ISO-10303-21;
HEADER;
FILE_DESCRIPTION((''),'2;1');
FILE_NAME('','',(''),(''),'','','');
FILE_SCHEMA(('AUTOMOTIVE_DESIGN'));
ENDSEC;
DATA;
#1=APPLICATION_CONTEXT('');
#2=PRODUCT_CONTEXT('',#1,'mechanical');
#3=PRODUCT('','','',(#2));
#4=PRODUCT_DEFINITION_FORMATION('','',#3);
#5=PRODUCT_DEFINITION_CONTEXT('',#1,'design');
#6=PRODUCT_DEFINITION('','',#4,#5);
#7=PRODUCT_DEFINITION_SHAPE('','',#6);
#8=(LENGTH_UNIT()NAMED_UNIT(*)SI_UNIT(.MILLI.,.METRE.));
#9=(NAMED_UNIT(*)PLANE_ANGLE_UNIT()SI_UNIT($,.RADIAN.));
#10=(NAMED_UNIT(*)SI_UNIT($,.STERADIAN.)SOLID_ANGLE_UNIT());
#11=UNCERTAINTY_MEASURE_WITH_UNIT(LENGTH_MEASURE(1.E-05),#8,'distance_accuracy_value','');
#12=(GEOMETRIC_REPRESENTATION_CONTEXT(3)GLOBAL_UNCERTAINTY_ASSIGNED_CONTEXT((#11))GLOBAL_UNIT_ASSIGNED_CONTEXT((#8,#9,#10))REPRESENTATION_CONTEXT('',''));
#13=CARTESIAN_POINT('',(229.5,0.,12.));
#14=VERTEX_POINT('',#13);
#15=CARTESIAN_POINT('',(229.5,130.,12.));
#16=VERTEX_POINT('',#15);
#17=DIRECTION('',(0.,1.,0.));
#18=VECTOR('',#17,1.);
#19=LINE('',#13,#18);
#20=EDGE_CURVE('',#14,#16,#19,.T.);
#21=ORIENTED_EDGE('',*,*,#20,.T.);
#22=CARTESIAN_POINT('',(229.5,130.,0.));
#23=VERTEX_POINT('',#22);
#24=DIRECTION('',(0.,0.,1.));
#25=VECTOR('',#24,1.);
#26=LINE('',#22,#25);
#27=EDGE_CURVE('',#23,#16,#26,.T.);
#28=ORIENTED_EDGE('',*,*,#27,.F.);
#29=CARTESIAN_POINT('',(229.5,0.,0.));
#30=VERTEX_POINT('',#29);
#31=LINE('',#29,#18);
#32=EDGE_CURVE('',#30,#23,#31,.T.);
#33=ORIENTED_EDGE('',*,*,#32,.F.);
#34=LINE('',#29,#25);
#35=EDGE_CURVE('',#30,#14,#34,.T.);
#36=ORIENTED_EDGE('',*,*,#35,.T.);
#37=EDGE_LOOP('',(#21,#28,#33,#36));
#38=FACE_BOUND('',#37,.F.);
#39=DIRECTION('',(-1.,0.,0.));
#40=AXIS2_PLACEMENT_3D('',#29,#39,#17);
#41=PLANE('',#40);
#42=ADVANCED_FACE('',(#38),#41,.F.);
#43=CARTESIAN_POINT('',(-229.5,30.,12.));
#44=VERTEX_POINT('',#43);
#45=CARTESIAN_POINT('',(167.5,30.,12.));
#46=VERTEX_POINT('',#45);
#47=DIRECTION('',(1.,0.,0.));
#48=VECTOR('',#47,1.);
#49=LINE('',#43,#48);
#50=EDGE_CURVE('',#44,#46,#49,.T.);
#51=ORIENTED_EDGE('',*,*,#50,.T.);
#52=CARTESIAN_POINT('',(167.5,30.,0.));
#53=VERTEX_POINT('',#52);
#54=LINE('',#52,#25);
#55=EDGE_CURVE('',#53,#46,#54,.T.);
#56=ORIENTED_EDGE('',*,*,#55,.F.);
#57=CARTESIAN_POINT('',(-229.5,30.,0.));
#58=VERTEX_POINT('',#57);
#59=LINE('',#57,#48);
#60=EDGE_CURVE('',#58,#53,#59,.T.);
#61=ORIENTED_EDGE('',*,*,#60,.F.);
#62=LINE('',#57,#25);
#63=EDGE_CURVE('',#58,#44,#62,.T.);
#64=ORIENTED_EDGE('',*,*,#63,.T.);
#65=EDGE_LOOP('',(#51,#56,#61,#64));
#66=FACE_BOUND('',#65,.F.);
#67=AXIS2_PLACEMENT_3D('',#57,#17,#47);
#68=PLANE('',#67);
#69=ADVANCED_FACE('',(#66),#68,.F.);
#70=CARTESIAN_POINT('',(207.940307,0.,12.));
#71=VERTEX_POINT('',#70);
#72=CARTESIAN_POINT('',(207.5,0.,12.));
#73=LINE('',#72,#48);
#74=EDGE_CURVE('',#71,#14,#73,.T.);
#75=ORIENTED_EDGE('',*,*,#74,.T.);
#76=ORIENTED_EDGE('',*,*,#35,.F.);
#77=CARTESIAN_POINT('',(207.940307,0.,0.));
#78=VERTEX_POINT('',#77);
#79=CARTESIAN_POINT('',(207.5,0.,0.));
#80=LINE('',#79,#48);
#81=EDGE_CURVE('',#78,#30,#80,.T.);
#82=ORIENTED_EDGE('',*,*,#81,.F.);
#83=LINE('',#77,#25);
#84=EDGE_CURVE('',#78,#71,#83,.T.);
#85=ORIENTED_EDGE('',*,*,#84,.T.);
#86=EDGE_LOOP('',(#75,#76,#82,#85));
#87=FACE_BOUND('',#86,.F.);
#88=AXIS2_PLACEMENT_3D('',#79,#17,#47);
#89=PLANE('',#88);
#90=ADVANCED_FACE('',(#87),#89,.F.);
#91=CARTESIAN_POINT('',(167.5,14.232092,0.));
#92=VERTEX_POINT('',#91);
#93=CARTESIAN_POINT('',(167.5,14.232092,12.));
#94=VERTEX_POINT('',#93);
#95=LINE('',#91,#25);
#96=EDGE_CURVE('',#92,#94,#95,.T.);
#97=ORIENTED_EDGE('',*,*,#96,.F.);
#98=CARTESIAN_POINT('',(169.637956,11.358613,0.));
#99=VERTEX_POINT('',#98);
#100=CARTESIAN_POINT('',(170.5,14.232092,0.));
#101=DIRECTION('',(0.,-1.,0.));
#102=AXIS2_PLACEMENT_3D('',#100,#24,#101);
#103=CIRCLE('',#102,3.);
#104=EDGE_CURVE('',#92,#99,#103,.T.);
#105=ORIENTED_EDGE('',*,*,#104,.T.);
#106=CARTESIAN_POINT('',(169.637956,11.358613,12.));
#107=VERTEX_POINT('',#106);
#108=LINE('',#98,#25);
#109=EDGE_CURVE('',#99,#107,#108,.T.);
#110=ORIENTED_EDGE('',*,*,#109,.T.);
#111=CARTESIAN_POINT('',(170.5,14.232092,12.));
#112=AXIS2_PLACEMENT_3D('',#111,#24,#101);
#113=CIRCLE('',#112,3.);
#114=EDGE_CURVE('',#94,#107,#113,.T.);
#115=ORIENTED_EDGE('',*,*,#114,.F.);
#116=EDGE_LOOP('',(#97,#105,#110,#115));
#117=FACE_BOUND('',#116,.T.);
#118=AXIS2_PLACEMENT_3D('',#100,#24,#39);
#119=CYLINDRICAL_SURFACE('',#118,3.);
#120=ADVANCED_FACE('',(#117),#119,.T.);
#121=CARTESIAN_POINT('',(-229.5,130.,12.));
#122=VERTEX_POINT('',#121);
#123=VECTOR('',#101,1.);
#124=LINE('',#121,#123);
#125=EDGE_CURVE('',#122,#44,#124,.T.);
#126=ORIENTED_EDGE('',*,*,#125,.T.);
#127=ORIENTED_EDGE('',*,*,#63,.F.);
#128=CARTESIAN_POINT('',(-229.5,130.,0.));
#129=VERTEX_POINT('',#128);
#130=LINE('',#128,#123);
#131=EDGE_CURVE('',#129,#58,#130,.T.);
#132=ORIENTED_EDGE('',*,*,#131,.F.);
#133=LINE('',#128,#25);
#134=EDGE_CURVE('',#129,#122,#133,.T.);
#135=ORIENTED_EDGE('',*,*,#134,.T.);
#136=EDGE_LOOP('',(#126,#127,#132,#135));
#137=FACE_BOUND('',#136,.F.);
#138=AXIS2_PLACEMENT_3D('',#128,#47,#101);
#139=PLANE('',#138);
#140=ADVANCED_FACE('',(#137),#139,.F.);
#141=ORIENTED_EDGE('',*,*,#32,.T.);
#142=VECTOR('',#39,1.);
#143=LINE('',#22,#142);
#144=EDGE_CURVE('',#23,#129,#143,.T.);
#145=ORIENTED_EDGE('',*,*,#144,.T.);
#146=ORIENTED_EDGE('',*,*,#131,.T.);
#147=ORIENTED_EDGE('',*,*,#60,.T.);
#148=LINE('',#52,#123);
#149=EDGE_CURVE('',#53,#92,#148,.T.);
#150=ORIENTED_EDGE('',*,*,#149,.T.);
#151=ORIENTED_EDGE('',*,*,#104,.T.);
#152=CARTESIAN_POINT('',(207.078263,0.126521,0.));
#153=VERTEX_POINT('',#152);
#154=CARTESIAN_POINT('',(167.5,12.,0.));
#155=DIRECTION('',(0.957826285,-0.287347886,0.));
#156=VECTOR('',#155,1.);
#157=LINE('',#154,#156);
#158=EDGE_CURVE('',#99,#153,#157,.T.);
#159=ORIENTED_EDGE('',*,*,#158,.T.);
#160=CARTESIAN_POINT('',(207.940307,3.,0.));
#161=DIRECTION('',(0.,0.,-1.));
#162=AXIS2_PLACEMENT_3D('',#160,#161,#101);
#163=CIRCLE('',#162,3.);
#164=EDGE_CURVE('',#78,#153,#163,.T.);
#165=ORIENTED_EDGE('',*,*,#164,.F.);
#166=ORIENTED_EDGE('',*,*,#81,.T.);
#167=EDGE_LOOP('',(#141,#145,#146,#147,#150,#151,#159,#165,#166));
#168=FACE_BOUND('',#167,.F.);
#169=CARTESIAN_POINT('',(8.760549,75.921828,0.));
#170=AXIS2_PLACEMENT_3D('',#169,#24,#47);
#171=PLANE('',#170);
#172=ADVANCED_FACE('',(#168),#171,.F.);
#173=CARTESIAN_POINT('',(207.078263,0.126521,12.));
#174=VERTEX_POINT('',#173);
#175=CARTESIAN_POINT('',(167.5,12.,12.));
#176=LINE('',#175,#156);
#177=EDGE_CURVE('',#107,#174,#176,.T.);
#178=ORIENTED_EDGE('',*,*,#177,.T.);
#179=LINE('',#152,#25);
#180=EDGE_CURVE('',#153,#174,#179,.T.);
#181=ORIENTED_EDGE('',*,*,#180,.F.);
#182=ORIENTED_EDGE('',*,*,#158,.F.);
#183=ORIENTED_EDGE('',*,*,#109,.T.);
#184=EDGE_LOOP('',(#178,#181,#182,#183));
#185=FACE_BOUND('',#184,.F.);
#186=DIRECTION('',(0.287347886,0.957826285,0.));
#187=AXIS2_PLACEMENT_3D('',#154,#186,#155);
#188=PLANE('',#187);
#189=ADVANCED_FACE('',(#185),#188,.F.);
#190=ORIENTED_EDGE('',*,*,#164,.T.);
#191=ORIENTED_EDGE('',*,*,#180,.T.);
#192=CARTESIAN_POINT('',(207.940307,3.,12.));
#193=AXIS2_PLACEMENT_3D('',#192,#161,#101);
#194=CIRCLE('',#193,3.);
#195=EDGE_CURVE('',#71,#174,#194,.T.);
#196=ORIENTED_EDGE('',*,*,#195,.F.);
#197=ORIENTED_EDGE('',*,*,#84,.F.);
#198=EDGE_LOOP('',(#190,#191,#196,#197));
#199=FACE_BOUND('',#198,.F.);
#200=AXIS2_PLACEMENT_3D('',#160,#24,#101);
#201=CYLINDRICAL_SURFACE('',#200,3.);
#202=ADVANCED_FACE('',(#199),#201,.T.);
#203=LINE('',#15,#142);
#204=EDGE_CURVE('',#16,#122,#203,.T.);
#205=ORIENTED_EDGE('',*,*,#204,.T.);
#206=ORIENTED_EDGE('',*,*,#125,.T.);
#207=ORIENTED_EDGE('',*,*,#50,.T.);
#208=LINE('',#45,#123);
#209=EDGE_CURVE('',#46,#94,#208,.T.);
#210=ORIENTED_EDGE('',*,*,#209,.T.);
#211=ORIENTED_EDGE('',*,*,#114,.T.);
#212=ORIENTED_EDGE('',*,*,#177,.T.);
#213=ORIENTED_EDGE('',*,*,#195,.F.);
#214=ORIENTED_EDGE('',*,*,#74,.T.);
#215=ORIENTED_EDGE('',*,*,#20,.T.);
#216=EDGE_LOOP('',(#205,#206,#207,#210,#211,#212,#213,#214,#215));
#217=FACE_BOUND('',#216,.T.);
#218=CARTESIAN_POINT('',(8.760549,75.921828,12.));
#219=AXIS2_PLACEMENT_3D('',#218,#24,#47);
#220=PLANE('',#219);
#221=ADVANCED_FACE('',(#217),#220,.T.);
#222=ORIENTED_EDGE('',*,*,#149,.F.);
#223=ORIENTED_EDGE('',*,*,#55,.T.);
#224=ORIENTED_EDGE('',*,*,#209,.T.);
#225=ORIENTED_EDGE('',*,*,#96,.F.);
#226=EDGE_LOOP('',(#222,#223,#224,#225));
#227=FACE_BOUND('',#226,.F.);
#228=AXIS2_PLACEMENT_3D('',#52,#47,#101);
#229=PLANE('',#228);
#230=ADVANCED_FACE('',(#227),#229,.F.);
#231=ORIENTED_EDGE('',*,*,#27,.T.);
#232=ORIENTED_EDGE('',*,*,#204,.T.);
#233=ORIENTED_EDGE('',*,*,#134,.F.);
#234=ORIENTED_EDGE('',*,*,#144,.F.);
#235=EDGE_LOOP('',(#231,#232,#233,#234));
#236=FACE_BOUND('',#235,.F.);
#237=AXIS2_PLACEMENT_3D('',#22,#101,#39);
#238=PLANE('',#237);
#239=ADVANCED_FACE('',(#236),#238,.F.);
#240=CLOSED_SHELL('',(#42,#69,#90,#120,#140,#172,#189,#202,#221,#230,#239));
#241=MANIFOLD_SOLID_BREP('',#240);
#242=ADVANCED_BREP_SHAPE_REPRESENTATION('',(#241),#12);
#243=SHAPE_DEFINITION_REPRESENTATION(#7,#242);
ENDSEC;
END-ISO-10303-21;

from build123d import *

# Parameters (mm, degrees)
F1_DEPTH = 12
F2_R     = 3


with BuildPart() as f1:
    # F0 (on Top) → F1 (new body)
    with BuildSketch(Plane.XY):
        Polygon((207.5, 0), (229.5, 0), (229.5, 130), (-229.5, 130), (-229.5, 30), (167.5, 30), (167.5, 12), align=None)
    extrude(amount=F1_DEPTH)

    # F2
    f2_edges = [f1.edges().sort_by_distance(p)[0] for p in [
        (207.5, 0, 6),
        (167.5, 12, 6),
    ]]
    fillet(f2_edges, radius=F2_R)


solid = f1.part
